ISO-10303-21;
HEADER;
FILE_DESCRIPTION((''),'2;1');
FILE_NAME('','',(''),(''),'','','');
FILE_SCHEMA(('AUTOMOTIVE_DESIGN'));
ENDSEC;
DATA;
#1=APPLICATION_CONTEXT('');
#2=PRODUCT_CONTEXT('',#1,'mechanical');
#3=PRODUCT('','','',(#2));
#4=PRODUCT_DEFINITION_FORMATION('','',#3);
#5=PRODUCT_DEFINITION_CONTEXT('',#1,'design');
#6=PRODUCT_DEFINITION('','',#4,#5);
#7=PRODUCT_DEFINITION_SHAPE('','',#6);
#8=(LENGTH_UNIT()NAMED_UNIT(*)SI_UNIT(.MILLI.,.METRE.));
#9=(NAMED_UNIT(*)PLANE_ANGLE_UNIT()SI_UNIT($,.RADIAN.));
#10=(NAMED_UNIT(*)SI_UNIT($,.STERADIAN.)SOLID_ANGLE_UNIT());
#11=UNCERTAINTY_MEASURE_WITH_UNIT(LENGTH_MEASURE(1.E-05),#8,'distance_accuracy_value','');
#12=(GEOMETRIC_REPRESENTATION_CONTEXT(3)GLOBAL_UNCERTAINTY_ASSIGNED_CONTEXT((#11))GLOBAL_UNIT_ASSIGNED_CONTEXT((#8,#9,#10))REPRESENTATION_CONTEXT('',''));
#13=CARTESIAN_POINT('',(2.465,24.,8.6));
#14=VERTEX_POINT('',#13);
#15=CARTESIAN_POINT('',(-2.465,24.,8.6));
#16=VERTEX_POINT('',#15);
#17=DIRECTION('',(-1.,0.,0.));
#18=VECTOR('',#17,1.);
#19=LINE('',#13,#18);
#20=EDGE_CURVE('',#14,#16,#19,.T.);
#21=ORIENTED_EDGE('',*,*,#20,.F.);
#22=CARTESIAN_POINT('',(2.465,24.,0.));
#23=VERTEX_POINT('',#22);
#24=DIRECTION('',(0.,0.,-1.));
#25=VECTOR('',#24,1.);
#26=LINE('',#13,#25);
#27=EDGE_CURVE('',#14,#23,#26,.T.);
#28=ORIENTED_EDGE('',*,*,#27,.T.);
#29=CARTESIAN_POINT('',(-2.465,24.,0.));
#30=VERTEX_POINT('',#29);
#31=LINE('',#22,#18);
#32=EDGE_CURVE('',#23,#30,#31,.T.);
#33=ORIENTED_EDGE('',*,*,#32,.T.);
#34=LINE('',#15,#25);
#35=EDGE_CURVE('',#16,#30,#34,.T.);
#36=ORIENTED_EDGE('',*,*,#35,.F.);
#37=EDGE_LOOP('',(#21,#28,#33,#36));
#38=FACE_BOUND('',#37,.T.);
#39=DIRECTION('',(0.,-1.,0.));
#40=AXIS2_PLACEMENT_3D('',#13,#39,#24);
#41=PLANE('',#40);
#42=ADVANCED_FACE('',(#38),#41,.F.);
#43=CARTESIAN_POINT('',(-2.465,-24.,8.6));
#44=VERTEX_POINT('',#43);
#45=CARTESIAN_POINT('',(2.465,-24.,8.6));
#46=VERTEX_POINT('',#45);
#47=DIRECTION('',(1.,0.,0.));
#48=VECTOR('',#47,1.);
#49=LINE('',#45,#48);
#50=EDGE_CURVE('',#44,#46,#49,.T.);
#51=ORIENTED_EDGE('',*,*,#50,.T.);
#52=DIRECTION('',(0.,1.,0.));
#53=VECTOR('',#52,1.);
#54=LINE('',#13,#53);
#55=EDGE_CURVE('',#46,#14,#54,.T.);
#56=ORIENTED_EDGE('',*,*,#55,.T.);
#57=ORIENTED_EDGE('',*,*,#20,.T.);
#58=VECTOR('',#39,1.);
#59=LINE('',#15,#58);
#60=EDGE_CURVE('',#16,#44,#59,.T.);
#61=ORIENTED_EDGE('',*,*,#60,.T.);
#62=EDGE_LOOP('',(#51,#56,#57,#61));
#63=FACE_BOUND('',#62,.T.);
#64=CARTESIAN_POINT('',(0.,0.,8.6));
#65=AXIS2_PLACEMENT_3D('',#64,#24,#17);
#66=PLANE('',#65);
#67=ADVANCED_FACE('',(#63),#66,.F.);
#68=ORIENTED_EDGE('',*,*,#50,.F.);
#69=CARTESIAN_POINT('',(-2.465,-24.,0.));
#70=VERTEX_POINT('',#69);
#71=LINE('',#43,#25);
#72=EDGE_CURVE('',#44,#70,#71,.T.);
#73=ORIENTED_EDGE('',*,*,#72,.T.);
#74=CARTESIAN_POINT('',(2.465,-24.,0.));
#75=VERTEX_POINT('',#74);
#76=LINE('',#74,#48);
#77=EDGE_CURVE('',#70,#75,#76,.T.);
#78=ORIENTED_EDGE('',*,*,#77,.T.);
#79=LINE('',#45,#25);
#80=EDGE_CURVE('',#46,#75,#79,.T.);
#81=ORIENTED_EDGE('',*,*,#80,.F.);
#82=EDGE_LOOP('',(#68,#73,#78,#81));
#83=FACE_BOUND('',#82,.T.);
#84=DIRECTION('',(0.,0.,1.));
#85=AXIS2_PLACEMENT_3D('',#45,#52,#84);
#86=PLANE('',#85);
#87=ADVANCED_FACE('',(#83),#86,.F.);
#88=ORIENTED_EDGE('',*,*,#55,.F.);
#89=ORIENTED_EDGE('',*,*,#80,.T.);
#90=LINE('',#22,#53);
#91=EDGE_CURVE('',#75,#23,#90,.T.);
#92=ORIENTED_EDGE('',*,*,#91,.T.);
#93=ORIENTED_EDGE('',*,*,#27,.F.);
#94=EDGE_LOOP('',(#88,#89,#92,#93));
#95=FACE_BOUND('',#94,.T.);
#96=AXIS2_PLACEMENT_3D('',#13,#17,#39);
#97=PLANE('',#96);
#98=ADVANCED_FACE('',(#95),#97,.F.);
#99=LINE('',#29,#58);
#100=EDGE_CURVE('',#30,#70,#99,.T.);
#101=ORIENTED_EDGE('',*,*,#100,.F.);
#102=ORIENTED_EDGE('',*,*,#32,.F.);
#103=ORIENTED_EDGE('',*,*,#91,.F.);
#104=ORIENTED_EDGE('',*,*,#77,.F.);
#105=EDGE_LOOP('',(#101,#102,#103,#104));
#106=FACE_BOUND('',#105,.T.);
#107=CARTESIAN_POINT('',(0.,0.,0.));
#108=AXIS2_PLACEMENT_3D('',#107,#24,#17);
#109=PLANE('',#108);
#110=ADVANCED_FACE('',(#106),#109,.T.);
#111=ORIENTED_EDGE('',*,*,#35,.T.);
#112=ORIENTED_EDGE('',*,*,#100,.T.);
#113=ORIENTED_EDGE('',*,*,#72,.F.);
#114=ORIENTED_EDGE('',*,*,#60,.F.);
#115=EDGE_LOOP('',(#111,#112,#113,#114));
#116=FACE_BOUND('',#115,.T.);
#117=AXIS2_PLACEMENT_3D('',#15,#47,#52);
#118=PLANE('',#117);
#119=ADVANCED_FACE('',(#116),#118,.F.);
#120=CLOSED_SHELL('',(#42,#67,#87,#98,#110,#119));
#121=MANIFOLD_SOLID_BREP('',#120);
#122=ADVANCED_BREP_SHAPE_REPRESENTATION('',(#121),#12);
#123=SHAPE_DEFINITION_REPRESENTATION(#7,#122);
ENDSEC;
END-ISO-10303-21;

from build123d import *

# Parameters (mm, degrees)
SKICA1_W                = 4.93
SKICA1_H                = 48
P_IDAT_VYSUNUT_M1_DEPTH = 8.6


with BuildPart() as part:
    # Skica1 → Přidat vysunutím1 (new body)
    with BuildSketch(Plane.XY):
        Rectangle(SKICA1_W, SKICA1_H)
    extrude(amount=P_IDAT_VYSUNUT_M1_DEPTH)


solid = part.part
